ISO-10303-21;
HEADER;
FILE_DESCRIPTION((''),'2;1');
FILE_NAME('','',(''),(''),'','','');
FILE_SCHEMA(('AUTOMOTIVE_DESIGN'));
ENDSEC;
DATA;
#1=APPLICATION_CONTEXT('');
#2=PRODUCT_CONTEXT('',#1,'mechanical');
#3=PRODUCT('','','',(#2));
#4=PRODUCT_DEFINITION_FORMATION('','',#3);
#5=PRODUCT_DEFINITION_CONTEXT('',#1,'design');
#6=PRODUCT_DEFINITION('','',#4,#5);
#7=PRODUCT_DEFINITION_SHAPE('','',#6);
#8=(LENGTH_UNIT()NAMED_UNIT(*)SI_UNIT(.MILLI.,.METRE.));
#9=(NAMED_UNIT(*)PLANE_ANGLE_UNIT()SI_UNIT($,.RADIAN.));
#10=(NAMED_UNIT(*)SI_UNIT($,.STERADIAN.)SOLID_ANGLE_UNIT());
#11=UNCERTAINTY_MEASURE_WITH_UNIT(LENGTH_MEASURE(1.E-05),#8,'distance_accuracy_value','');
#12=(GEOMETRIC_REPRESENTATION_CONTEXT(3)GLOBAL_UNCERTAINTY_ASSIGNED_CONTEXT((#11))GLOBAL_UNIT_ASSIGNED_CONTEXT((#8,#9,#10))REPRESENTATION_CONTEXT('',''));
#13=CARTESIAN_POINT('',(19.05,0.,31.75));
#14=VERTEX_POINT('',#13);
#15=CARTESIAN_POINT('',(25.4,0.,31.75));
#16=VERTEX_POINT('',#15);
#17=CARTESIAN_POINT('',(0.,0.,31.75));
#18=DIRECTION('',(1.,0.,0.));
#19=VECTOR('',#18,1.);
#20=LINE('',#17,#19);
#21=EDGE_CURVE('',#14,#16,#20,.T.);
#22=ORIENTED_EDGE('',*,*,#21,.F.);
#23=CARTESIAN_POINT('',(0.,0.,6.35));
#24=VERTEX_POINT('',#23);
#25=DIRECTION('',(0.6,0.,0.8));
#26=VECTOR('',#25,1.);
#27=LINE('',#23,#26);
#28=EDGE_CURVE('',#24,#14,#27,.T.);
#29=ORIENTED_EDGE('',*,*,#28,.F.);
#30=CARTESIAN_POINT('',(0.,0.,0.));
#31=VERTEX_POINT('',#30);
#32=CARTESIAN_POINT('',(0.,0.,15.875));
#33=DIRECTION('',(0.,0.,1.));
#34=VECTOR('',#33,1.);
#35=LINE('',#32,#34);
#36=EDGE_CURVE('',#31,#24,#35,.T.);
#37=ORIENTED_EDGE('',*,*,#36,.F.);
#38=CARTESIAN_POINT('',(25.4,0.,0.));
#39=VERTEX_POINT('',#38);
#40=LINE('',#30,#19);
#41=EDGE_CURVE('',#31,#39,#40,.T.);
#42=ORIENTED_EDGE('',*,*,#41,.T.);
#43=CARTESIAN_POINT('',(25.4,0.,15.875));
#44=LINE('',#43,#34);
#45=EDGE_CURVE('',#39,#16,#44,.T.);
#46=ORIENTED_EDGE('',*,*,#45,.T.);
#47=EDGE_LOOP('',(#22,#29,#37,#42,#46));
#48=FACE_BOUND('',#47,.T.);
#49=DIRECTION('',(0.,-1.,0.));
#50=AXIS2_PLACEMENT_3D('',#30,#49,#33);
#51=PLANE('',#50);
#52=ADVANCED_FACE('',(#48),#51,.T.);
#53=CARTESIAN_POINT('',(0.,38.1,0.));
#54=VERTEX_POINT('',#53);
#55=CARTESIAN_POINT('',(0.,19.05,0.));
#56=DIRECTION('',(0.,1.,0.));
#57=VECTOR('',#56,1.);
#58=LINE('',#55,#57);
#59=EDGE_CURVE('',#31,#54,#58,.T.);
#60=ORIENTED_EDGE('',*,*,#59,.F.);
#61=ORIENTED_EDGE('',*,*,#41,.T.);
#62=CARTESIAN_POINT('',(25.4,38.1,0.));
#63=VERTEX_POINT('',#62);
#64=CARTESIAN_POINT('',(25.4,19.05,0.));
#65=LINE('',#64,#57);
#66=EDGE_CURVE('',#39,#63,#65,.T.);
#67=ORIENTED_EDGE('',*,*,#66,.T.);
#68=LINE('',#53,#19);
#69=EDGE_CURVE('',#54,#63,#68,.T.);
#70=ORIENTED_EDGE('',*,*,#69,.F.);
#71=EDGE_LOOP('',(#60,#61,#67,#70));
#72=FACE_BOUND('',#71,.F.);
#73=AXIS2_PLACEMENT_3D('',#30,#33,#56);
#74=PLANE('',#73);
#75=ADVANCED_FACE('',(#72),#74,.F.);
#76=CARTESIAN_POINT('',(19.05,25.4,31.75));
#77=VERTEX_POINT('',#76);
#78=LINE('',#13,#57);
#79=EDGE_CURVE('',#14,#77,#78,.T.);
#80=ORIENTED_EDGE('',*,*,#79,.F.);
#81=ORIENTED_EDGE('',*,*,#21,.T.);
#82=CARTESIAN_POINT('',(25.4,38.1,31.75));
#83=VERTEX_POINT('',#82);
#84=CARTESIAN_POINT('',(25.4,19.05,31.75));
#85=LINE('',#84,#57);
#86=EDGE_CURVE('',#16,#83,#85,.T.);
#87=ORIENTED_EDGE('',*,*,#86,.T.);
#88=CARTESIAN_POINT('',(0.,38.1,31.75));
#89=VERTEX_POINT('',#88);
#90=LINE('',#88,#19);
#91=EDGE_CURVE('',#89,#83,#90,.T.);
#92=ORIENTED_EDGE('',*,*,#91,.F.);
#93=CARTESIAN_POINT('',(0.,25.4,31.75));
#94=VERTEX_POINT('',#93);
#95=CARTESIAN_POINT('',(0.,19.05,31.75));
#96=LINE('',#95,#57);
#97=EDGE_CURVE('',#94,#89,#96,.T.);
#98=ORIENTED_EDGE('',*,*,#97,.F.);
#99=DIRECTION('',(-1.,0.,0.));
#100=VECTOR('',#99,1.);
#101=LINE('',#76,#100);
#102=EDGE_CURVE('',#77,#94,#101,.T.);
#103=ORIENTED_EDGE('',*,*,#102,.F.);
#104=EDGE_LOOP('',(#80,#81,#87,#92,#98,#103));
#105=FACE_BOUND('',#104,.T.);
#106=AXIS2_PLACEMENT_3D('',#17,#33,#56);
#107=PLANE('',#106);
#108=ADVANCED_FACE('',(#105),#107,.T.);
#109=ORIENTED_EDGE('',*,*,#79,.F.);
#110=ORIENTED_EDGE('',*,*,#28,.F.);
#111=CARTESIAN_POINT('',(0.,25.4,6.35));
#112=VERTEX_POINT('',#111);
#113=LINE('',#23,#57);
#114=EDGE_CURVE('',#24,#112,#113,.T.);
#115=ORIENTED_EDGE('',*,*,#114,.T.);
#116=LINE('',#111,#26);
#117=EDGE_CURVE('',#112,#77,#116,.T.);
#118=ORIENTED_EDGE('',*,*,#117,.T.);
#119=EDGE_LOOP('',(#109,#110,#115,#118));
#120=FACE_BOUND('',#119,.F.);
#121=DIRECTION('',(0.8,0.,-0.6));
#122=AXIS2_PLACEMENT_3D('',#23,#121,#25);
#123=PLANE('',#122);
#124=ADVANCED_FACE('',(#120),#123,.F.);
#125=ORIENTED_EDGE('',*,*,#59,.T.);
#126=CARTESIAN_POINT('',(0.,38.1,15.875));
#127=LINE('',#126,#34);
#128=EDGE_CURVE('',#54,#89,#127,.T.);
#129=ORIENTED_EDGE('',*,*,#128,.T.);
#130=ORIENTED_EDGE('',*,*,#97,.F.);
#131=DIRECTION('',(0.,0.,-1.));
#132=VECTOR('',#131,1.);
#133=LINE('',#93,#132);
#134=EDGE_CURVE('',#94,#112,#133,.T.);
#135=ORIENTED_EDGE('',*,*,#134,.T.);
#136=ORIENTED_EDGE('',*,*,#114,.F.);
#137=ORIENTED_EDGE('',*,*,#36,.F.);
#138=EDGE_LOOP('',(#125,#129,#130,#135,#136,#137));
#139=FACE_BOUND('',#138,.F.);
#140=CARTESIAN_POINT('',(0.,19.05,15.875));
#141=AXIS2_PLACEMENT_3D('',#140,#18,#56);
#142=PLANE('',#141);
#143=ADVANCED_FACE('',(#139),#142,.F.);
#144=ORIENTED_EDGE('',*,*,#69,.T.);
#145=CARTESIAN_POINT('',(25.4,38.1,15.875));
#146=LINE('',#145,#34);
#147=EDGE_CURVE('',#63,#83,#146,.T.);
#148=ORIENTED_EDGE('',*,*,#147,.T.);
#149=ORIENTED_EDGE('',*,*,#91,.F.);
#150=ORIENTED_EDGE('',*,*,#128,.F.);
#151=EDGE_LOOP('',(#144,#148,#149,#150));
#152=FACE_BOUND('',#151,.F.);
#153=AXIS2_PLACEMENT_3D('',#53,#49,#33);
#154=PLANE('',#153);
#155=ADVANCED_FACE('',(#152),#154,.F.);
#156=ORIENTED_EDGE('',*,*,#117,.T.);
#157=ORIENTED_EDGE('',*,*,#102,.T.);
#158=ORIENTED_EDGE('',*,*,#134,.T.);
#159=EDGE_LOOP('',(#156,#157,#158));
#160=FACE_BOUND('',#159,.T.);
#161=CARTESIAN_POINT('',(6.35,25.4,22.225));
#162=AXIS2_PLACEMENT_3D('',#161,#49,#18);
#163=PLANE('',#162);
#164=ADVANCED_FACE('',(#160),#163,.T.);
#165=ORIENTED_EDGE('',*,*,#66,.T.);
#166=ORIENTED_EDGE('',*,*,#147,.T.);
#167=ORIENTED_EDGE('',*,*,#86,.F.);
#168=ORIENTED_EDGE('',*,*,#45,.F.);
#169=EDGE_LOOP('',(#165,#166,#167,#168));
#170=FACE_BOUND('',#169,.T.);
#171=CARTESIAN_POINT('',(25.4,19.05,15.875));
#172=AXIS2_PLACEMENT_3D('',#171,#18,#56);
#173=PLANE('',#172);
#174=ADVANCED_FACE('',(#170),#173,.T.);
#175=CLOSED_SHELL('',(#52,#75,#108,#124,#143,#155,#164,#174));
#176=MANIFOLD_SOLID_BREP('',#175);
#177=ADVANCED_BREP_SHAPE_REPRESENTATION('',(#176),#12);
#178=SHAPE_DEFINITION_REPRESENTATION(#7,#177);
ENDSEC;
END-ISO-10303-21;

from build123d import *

# Parameters (mm, degrees)
F0_W     = 38.1
F0_H     = 31.75
F1_DEPTH = 25.4
F3_DEPTH = 15.748
F5_DEPTH = 25.4


with BuildPart() as f1:
    # F0 (on Right) → F1 (new body)
    with BuildSketch(Plane.YZ):
        with Locations((19.05, 15.875)):
            Rectangle(F0_W, F0_H)
    extrude(amount=F1_DEPTH)

    # F2 (on Right) → F3 (join)
    with BuildSketch(Plane.YZ):
        Polygon((21.047117, 30.48737), (8.047429, 30.48737), (8.047429, 9.130735), align=None)
    extrude(amount=F3_DEPTH)

    # F4 (on face) → F5 (cut)
    with BuildSketch(Plane.XZ):
        Polygon((0, 6.35), (19.05, 31.75), (0, 31.75), align=None)
    extrude(amount=-F5_DEPTH, mode=Mode.SUBTRACT)


solid = f1.part
